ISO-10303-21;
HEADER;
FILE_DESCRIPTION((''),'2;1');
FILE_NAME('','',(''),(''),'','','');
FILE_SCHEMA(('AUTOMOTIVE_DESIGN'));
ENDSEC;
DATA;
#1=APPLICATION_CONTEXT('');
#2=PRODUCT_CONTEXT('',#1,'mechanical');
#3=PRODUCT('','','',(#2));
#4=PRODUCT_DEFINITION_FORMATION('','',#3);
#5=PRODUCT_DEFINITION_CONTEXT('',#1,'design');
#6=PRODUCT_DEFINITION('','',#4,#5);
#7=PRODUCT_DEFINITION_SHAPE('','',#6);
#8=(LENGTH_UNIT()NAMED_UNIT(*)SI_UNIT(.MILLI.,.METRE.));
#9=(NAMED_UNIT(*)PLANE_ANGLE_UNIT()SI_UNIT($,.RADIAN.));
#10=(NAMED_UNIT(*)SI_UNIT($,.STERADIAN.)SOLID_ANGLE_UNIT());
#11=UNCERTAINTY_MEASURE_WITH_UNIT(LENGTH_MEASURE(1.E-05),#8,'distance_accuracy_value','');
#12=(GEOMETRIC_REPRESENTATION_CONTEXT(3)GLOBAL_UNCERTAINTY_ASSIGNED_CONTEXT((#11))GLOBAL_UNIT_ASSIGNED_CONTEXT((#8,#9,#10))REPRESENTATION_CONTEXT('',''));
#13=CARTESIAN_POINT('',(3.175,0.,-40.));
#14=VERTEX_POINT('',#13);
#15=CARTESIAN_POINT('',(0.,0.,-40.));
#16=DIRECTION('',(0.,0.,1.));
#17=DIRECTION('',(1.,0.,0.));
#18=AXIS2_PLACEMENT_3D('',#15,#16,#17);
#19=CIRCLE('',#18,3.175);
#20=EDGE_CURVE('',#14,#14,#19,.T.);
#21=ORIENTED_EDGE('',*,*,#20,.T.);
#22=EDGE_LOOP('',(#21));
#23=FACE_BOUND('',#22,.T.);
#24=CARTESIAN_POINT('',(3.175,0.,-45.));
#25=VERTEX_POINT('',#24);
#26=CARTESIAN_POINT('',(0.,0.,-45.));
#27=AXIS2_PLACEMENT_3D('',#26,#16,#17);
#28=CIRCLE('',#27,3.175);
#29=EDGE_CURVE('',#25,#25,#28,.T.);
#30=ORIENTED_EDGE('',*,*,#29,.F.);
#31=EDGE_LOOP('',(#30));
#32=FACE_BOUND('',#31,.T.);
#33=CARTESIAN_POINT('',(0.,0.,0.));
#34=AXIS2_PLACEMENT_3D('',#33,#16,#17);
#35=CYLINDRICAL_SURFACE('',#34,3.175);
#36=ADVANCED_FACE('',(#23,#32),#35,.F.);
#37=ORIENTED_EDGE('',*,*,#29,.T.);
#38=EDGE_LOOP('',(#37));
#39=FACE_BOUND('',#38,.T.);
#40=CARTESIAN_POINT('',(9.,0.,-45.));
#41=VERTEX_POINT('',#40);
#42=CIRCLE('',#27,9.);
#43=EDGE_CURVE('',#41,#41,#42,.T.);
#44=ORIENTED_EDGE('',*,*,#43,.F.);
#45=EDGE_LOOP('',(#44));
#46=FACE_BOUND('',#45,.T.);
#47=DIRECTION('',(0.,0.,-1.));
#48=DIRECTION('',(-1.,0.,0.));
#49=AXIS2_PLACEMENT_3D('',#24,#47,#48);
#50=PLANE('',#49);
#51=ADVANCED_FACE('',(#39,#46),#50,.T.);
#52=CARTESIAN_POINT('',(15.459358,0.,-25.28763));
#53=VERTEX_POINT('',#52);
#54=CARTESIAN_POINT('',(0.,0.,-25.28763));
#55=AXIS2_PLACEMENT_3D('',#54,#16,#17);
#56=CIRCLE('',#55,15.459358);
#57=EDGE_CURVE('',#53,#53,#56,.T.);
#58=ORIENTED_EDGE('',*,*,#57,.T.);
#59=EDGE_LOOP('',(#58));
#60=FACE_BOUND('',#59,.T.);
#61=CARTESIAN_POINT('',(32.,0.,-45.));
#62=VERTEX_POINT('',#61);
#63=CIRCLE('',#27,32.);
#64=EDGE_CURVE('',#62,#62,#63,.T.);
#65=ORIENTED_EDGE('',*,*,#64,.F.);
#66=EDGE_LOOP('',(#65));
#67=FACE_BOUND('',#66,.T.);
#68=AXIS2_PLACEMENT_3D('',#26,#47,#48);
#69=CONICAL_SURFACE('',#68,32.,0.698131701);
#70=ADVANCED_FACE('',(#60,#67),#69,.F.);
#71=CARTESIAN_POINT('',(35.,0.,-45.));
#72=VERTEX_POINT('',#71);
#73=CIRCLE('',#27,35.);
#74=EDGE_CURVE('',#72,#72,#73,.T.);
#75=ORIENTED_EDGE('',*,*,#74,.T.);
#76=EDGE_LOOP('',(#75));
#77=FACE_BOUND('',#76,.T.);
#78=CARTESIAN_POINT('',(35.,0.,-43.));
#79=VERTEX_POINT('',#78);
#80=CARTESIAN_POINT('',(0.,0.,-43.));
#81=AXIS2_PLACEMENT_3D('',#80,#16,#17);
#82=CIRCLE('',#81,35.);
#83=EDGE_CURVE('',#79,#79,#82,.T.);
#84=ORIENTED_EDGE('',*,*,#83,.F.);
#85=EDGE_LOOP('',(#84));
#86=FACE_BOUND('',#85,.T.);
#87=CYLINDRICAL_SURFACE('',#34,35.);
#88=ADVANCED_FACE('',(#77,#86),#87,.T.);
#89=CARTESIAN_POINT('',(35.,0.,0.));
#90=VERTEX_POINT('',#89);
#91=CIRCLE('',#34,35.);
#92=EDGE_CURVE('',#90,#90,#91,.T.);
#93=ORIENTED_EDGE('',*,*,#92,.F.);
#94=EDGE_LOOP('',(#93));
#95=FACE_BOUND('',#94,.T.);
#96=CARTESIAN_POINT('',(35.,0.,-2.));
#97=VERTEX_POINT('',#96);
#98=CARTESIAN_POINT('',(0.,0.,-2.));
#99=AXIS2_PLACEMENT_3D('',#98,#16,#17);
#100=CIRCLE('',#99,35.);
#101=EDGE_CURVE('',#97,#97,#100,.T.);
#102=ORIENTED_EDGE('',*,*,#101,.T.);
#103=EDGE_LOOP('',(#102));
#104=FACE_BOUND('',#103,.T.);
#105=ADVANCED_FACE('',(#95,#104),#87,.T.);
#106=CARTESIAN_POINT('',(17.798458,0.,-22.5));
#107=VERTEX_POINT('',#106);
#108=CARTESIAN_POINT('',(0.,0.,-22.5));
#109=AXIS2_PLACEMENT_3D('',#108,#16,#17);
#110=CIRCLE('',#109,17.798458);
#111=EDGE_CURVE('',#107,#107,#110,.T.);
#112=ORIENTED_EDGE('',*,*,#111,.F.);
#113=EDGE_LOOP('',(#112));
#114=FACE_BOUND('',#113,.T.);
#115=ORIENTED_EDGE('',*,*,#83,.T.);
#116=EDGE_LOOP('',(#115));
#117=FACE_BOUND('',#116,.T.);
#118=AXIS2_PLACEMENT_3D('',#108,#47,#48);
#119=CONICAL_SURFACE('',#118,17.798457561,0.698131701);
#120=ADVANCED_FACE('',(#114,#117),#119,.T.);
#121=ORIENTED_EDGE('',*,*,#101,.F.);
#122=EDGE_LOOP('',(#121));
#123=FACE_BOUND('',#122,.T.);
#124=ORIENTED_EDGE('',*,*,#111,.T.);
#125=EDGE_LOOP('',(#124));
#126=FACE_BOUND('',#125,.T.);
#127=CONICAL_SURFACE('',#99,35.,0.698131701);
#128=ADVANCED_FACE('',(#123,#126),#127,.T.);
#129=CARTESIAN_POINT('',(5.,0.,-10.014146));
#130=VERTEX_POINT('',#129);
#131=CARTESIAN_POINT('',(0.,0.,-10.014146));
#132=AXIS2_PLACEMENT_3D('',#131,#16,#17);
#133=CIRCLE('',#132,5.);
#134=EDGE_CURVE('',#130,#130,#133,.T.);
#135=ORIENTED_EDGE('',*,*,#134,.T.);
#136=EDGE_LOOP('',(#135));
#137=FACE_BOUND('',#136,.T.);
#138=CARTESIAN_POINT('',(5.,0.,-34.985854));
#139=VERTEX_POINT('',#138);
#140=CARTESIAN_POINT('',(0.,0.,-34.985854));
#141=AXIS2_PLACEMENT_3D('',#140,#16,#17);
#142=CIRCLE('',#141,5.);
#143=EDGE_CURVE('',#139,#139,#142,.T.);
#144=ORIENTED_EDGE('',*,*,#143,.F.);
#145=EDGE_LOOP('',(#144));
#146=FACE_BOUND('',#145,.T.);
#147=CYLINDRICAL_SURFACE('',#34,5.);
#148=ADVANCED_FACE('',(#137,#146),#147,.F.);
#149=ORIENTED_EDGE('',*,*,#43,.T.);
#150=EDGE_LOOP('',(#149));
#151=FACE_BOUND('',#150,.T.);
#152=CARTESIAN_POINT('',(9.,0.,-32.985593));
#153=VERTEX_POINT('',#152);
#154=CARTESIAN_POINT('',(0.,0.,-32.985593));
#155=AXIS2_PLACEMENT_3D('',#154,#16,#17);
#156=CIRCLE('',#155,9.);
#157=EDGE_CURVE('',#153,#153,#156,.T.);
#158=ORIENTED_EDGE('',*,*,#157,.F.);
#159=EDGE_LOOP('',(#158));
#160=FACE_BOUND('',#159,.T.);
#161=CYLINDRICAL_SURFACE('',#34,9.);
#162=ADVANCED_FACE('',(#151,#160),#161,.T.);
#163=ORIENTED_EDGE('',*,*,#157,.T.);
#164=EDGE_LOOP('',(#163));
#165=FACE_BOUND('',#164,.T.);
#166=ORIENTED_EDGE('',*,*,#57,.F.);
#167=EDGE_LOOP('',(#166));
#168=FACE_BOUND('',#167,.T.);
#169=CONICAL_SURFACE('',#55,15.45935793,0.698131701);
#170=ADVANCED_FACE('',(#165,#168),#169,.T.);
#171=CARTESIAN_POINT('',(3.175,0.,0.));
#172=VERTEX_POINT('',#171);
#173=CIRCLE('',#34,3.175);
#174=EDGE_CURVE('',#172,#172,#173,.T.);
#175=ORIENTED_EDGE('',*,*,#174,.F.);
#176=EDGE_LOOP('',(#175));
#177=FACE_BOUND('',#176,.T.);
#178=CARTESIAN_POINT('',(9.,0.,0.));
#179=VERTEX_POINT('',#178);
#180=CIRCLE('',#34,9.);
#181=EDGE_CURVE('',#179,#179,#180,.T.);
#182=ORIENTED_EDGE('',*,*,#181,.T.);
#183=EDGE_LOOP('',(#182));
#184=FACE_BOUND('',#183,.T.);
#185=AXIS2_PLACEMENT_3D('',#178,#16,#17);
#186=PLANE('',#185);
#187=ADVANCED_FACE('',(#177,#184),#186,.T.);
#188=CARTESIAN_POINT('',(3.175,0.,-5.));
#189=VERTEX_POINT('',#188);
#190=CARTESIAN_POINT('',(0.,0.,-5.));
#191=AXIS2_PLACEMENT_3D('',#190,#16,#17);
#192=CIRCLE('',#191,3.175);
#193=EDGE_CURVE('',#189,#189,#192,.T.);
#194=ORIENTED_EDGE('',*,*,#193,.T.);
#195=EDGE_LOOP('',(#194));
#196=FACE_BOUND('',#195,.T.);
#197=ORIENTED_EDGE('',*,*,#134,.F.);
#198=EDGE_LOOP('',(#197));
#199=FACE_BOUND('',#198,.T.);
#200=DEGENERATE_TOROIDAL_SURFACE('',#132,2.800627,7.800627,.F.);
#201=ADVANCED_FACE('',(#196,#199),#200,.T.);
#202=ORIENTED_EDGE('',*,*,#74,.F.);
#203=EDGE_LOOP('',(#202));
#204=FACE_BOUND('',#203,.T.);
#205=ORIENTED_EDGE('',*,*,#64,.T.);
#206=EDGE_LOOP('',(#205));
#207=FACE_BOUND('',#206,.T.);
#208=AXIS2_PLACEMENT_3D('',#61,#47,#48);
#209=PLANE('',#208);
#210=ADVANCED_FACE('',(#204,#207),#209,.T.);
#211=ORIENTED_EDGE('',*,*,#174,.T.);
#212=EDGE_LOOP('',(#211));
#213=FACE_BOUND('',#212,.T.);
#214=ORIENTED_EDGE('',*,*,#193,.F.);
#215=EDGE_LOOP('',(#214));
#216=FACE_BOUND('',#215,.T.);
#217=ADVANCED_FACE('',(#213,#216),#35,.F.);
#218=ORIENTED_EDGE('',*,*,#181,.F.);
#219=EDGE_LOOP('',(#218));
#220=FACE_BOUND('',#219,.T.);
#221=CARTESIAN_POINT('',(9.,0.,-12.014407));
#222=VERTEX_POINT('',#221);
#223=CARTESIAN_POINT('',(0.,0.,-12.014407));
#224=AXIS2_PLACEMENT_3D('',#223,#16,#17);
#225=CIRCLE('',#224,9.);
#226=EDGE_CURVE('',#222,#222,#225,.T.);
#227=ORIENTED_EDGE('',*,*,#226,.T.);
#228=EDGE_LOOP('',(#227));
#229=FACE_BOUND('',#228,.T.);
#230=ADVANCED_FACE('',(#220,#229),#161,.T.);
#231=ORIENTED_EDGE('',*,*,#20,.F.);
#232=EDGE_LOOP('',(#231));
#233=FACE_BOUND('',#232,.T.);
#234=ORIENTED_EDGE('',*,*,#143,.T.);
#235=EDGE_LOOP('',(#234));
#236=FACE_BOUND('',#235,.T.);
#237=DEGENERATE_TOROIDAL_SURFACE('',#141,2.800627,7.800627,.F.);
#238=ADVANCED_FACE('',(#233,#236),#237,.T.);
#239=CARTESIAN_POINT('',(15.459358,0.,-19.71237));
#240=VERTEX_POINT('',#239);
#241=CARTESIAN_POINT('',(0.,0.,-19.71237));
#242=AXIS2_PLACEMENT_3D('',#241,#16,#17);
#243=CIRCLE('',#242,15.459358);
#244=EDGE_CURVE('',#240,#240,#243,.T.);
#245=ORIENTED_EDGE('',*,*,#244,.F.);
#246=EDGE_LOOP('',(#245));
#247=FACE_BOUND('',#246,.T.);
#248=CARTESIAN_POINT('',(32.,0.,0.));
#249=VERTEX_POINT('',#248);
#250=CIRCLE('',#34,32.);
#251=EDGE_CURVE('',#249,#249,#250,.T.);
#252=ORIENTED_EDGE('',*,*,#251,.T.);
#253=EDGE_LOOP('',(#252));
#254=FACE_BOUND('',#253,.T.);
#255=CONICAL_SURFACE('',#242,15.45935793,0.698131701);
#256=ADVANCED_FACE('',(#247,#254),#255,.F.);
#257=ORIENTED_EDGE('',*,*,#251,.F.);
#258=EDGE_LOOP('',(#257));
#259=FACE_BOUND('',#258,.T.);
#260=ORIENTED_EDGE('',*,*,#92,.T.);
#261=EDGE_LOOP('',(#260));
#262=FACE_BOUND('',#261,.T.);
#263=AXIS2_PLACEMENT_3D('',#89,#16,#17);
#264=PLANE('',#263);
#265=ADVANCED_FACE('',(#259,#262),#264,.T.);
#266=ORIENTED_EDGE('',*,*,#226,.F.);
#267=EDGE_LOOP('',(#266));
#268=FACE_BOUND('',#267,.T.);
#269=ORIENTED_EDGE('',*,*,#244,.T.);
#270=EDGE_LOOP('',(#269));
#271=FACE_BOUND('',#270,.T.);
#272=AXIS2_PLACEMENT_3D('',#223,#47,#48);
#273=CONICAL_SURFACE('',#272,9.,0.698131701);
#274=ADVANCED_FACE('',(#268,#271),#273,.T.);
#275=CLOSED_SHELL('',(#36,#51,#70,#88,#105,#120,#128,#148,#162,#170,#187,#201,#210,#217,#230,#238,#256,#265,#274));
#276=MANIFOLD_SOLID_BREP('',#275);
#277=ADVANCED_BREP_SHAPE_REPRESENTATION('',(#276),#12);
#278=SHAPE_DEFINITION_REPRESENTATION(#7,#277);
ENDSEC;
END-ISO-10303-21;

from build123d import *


with BuildPart() as part:
    # Sketch1 → Revolve1 (revolve)
    with BuildSketch(Plane(origin=(0, 0, 0), x_dir=(1, 0, 0), z_dir=(0, 1, 0))):
        with BuildLine():
            Line((3.175, 0), (3.175, 5))
            ThreePointArc((3.175, 5), (4.529564638, 7.346174775), (5, 10.014146291))
            Line((5, 10.014146291), (5, 34.985853709))
            ThreePointArc((5, 34.985853709), (4.529564638, 37.653825225), (3.175, 40))
            Line((3.175, 40), (3.175, 45))
            Line((3.175, 45), (9, 45))
            Line((9, 45), (9, 32.985593407))
            Line((9, 32.985593407), (15.45935793, 25.287630389))
            Line((15.45935793, 25.287630389), (32, 45))
            Line((32, 45), (35, 45))
            Line((35, 45), (35, 43))
            Line((35, 43), (17.798457561, 22.5))
            Line((17.798457561, 22.5), (35, 2))
            Line((35, 2), (35, 0))
            Line((35, 0), (32, 0))
            Line((32, 0), (15.45935793, 19.712369611))
            Line((15.45935793, 19.712369611), (9, 12.014406593))
            Line((9, 12.014406593), (9, 0))
            Line((9, 0), (3.175, 0))
        make_face()
    revolve(axis=Axis((0, 0, 0), (0, 0, -1)))


solid = part.part
